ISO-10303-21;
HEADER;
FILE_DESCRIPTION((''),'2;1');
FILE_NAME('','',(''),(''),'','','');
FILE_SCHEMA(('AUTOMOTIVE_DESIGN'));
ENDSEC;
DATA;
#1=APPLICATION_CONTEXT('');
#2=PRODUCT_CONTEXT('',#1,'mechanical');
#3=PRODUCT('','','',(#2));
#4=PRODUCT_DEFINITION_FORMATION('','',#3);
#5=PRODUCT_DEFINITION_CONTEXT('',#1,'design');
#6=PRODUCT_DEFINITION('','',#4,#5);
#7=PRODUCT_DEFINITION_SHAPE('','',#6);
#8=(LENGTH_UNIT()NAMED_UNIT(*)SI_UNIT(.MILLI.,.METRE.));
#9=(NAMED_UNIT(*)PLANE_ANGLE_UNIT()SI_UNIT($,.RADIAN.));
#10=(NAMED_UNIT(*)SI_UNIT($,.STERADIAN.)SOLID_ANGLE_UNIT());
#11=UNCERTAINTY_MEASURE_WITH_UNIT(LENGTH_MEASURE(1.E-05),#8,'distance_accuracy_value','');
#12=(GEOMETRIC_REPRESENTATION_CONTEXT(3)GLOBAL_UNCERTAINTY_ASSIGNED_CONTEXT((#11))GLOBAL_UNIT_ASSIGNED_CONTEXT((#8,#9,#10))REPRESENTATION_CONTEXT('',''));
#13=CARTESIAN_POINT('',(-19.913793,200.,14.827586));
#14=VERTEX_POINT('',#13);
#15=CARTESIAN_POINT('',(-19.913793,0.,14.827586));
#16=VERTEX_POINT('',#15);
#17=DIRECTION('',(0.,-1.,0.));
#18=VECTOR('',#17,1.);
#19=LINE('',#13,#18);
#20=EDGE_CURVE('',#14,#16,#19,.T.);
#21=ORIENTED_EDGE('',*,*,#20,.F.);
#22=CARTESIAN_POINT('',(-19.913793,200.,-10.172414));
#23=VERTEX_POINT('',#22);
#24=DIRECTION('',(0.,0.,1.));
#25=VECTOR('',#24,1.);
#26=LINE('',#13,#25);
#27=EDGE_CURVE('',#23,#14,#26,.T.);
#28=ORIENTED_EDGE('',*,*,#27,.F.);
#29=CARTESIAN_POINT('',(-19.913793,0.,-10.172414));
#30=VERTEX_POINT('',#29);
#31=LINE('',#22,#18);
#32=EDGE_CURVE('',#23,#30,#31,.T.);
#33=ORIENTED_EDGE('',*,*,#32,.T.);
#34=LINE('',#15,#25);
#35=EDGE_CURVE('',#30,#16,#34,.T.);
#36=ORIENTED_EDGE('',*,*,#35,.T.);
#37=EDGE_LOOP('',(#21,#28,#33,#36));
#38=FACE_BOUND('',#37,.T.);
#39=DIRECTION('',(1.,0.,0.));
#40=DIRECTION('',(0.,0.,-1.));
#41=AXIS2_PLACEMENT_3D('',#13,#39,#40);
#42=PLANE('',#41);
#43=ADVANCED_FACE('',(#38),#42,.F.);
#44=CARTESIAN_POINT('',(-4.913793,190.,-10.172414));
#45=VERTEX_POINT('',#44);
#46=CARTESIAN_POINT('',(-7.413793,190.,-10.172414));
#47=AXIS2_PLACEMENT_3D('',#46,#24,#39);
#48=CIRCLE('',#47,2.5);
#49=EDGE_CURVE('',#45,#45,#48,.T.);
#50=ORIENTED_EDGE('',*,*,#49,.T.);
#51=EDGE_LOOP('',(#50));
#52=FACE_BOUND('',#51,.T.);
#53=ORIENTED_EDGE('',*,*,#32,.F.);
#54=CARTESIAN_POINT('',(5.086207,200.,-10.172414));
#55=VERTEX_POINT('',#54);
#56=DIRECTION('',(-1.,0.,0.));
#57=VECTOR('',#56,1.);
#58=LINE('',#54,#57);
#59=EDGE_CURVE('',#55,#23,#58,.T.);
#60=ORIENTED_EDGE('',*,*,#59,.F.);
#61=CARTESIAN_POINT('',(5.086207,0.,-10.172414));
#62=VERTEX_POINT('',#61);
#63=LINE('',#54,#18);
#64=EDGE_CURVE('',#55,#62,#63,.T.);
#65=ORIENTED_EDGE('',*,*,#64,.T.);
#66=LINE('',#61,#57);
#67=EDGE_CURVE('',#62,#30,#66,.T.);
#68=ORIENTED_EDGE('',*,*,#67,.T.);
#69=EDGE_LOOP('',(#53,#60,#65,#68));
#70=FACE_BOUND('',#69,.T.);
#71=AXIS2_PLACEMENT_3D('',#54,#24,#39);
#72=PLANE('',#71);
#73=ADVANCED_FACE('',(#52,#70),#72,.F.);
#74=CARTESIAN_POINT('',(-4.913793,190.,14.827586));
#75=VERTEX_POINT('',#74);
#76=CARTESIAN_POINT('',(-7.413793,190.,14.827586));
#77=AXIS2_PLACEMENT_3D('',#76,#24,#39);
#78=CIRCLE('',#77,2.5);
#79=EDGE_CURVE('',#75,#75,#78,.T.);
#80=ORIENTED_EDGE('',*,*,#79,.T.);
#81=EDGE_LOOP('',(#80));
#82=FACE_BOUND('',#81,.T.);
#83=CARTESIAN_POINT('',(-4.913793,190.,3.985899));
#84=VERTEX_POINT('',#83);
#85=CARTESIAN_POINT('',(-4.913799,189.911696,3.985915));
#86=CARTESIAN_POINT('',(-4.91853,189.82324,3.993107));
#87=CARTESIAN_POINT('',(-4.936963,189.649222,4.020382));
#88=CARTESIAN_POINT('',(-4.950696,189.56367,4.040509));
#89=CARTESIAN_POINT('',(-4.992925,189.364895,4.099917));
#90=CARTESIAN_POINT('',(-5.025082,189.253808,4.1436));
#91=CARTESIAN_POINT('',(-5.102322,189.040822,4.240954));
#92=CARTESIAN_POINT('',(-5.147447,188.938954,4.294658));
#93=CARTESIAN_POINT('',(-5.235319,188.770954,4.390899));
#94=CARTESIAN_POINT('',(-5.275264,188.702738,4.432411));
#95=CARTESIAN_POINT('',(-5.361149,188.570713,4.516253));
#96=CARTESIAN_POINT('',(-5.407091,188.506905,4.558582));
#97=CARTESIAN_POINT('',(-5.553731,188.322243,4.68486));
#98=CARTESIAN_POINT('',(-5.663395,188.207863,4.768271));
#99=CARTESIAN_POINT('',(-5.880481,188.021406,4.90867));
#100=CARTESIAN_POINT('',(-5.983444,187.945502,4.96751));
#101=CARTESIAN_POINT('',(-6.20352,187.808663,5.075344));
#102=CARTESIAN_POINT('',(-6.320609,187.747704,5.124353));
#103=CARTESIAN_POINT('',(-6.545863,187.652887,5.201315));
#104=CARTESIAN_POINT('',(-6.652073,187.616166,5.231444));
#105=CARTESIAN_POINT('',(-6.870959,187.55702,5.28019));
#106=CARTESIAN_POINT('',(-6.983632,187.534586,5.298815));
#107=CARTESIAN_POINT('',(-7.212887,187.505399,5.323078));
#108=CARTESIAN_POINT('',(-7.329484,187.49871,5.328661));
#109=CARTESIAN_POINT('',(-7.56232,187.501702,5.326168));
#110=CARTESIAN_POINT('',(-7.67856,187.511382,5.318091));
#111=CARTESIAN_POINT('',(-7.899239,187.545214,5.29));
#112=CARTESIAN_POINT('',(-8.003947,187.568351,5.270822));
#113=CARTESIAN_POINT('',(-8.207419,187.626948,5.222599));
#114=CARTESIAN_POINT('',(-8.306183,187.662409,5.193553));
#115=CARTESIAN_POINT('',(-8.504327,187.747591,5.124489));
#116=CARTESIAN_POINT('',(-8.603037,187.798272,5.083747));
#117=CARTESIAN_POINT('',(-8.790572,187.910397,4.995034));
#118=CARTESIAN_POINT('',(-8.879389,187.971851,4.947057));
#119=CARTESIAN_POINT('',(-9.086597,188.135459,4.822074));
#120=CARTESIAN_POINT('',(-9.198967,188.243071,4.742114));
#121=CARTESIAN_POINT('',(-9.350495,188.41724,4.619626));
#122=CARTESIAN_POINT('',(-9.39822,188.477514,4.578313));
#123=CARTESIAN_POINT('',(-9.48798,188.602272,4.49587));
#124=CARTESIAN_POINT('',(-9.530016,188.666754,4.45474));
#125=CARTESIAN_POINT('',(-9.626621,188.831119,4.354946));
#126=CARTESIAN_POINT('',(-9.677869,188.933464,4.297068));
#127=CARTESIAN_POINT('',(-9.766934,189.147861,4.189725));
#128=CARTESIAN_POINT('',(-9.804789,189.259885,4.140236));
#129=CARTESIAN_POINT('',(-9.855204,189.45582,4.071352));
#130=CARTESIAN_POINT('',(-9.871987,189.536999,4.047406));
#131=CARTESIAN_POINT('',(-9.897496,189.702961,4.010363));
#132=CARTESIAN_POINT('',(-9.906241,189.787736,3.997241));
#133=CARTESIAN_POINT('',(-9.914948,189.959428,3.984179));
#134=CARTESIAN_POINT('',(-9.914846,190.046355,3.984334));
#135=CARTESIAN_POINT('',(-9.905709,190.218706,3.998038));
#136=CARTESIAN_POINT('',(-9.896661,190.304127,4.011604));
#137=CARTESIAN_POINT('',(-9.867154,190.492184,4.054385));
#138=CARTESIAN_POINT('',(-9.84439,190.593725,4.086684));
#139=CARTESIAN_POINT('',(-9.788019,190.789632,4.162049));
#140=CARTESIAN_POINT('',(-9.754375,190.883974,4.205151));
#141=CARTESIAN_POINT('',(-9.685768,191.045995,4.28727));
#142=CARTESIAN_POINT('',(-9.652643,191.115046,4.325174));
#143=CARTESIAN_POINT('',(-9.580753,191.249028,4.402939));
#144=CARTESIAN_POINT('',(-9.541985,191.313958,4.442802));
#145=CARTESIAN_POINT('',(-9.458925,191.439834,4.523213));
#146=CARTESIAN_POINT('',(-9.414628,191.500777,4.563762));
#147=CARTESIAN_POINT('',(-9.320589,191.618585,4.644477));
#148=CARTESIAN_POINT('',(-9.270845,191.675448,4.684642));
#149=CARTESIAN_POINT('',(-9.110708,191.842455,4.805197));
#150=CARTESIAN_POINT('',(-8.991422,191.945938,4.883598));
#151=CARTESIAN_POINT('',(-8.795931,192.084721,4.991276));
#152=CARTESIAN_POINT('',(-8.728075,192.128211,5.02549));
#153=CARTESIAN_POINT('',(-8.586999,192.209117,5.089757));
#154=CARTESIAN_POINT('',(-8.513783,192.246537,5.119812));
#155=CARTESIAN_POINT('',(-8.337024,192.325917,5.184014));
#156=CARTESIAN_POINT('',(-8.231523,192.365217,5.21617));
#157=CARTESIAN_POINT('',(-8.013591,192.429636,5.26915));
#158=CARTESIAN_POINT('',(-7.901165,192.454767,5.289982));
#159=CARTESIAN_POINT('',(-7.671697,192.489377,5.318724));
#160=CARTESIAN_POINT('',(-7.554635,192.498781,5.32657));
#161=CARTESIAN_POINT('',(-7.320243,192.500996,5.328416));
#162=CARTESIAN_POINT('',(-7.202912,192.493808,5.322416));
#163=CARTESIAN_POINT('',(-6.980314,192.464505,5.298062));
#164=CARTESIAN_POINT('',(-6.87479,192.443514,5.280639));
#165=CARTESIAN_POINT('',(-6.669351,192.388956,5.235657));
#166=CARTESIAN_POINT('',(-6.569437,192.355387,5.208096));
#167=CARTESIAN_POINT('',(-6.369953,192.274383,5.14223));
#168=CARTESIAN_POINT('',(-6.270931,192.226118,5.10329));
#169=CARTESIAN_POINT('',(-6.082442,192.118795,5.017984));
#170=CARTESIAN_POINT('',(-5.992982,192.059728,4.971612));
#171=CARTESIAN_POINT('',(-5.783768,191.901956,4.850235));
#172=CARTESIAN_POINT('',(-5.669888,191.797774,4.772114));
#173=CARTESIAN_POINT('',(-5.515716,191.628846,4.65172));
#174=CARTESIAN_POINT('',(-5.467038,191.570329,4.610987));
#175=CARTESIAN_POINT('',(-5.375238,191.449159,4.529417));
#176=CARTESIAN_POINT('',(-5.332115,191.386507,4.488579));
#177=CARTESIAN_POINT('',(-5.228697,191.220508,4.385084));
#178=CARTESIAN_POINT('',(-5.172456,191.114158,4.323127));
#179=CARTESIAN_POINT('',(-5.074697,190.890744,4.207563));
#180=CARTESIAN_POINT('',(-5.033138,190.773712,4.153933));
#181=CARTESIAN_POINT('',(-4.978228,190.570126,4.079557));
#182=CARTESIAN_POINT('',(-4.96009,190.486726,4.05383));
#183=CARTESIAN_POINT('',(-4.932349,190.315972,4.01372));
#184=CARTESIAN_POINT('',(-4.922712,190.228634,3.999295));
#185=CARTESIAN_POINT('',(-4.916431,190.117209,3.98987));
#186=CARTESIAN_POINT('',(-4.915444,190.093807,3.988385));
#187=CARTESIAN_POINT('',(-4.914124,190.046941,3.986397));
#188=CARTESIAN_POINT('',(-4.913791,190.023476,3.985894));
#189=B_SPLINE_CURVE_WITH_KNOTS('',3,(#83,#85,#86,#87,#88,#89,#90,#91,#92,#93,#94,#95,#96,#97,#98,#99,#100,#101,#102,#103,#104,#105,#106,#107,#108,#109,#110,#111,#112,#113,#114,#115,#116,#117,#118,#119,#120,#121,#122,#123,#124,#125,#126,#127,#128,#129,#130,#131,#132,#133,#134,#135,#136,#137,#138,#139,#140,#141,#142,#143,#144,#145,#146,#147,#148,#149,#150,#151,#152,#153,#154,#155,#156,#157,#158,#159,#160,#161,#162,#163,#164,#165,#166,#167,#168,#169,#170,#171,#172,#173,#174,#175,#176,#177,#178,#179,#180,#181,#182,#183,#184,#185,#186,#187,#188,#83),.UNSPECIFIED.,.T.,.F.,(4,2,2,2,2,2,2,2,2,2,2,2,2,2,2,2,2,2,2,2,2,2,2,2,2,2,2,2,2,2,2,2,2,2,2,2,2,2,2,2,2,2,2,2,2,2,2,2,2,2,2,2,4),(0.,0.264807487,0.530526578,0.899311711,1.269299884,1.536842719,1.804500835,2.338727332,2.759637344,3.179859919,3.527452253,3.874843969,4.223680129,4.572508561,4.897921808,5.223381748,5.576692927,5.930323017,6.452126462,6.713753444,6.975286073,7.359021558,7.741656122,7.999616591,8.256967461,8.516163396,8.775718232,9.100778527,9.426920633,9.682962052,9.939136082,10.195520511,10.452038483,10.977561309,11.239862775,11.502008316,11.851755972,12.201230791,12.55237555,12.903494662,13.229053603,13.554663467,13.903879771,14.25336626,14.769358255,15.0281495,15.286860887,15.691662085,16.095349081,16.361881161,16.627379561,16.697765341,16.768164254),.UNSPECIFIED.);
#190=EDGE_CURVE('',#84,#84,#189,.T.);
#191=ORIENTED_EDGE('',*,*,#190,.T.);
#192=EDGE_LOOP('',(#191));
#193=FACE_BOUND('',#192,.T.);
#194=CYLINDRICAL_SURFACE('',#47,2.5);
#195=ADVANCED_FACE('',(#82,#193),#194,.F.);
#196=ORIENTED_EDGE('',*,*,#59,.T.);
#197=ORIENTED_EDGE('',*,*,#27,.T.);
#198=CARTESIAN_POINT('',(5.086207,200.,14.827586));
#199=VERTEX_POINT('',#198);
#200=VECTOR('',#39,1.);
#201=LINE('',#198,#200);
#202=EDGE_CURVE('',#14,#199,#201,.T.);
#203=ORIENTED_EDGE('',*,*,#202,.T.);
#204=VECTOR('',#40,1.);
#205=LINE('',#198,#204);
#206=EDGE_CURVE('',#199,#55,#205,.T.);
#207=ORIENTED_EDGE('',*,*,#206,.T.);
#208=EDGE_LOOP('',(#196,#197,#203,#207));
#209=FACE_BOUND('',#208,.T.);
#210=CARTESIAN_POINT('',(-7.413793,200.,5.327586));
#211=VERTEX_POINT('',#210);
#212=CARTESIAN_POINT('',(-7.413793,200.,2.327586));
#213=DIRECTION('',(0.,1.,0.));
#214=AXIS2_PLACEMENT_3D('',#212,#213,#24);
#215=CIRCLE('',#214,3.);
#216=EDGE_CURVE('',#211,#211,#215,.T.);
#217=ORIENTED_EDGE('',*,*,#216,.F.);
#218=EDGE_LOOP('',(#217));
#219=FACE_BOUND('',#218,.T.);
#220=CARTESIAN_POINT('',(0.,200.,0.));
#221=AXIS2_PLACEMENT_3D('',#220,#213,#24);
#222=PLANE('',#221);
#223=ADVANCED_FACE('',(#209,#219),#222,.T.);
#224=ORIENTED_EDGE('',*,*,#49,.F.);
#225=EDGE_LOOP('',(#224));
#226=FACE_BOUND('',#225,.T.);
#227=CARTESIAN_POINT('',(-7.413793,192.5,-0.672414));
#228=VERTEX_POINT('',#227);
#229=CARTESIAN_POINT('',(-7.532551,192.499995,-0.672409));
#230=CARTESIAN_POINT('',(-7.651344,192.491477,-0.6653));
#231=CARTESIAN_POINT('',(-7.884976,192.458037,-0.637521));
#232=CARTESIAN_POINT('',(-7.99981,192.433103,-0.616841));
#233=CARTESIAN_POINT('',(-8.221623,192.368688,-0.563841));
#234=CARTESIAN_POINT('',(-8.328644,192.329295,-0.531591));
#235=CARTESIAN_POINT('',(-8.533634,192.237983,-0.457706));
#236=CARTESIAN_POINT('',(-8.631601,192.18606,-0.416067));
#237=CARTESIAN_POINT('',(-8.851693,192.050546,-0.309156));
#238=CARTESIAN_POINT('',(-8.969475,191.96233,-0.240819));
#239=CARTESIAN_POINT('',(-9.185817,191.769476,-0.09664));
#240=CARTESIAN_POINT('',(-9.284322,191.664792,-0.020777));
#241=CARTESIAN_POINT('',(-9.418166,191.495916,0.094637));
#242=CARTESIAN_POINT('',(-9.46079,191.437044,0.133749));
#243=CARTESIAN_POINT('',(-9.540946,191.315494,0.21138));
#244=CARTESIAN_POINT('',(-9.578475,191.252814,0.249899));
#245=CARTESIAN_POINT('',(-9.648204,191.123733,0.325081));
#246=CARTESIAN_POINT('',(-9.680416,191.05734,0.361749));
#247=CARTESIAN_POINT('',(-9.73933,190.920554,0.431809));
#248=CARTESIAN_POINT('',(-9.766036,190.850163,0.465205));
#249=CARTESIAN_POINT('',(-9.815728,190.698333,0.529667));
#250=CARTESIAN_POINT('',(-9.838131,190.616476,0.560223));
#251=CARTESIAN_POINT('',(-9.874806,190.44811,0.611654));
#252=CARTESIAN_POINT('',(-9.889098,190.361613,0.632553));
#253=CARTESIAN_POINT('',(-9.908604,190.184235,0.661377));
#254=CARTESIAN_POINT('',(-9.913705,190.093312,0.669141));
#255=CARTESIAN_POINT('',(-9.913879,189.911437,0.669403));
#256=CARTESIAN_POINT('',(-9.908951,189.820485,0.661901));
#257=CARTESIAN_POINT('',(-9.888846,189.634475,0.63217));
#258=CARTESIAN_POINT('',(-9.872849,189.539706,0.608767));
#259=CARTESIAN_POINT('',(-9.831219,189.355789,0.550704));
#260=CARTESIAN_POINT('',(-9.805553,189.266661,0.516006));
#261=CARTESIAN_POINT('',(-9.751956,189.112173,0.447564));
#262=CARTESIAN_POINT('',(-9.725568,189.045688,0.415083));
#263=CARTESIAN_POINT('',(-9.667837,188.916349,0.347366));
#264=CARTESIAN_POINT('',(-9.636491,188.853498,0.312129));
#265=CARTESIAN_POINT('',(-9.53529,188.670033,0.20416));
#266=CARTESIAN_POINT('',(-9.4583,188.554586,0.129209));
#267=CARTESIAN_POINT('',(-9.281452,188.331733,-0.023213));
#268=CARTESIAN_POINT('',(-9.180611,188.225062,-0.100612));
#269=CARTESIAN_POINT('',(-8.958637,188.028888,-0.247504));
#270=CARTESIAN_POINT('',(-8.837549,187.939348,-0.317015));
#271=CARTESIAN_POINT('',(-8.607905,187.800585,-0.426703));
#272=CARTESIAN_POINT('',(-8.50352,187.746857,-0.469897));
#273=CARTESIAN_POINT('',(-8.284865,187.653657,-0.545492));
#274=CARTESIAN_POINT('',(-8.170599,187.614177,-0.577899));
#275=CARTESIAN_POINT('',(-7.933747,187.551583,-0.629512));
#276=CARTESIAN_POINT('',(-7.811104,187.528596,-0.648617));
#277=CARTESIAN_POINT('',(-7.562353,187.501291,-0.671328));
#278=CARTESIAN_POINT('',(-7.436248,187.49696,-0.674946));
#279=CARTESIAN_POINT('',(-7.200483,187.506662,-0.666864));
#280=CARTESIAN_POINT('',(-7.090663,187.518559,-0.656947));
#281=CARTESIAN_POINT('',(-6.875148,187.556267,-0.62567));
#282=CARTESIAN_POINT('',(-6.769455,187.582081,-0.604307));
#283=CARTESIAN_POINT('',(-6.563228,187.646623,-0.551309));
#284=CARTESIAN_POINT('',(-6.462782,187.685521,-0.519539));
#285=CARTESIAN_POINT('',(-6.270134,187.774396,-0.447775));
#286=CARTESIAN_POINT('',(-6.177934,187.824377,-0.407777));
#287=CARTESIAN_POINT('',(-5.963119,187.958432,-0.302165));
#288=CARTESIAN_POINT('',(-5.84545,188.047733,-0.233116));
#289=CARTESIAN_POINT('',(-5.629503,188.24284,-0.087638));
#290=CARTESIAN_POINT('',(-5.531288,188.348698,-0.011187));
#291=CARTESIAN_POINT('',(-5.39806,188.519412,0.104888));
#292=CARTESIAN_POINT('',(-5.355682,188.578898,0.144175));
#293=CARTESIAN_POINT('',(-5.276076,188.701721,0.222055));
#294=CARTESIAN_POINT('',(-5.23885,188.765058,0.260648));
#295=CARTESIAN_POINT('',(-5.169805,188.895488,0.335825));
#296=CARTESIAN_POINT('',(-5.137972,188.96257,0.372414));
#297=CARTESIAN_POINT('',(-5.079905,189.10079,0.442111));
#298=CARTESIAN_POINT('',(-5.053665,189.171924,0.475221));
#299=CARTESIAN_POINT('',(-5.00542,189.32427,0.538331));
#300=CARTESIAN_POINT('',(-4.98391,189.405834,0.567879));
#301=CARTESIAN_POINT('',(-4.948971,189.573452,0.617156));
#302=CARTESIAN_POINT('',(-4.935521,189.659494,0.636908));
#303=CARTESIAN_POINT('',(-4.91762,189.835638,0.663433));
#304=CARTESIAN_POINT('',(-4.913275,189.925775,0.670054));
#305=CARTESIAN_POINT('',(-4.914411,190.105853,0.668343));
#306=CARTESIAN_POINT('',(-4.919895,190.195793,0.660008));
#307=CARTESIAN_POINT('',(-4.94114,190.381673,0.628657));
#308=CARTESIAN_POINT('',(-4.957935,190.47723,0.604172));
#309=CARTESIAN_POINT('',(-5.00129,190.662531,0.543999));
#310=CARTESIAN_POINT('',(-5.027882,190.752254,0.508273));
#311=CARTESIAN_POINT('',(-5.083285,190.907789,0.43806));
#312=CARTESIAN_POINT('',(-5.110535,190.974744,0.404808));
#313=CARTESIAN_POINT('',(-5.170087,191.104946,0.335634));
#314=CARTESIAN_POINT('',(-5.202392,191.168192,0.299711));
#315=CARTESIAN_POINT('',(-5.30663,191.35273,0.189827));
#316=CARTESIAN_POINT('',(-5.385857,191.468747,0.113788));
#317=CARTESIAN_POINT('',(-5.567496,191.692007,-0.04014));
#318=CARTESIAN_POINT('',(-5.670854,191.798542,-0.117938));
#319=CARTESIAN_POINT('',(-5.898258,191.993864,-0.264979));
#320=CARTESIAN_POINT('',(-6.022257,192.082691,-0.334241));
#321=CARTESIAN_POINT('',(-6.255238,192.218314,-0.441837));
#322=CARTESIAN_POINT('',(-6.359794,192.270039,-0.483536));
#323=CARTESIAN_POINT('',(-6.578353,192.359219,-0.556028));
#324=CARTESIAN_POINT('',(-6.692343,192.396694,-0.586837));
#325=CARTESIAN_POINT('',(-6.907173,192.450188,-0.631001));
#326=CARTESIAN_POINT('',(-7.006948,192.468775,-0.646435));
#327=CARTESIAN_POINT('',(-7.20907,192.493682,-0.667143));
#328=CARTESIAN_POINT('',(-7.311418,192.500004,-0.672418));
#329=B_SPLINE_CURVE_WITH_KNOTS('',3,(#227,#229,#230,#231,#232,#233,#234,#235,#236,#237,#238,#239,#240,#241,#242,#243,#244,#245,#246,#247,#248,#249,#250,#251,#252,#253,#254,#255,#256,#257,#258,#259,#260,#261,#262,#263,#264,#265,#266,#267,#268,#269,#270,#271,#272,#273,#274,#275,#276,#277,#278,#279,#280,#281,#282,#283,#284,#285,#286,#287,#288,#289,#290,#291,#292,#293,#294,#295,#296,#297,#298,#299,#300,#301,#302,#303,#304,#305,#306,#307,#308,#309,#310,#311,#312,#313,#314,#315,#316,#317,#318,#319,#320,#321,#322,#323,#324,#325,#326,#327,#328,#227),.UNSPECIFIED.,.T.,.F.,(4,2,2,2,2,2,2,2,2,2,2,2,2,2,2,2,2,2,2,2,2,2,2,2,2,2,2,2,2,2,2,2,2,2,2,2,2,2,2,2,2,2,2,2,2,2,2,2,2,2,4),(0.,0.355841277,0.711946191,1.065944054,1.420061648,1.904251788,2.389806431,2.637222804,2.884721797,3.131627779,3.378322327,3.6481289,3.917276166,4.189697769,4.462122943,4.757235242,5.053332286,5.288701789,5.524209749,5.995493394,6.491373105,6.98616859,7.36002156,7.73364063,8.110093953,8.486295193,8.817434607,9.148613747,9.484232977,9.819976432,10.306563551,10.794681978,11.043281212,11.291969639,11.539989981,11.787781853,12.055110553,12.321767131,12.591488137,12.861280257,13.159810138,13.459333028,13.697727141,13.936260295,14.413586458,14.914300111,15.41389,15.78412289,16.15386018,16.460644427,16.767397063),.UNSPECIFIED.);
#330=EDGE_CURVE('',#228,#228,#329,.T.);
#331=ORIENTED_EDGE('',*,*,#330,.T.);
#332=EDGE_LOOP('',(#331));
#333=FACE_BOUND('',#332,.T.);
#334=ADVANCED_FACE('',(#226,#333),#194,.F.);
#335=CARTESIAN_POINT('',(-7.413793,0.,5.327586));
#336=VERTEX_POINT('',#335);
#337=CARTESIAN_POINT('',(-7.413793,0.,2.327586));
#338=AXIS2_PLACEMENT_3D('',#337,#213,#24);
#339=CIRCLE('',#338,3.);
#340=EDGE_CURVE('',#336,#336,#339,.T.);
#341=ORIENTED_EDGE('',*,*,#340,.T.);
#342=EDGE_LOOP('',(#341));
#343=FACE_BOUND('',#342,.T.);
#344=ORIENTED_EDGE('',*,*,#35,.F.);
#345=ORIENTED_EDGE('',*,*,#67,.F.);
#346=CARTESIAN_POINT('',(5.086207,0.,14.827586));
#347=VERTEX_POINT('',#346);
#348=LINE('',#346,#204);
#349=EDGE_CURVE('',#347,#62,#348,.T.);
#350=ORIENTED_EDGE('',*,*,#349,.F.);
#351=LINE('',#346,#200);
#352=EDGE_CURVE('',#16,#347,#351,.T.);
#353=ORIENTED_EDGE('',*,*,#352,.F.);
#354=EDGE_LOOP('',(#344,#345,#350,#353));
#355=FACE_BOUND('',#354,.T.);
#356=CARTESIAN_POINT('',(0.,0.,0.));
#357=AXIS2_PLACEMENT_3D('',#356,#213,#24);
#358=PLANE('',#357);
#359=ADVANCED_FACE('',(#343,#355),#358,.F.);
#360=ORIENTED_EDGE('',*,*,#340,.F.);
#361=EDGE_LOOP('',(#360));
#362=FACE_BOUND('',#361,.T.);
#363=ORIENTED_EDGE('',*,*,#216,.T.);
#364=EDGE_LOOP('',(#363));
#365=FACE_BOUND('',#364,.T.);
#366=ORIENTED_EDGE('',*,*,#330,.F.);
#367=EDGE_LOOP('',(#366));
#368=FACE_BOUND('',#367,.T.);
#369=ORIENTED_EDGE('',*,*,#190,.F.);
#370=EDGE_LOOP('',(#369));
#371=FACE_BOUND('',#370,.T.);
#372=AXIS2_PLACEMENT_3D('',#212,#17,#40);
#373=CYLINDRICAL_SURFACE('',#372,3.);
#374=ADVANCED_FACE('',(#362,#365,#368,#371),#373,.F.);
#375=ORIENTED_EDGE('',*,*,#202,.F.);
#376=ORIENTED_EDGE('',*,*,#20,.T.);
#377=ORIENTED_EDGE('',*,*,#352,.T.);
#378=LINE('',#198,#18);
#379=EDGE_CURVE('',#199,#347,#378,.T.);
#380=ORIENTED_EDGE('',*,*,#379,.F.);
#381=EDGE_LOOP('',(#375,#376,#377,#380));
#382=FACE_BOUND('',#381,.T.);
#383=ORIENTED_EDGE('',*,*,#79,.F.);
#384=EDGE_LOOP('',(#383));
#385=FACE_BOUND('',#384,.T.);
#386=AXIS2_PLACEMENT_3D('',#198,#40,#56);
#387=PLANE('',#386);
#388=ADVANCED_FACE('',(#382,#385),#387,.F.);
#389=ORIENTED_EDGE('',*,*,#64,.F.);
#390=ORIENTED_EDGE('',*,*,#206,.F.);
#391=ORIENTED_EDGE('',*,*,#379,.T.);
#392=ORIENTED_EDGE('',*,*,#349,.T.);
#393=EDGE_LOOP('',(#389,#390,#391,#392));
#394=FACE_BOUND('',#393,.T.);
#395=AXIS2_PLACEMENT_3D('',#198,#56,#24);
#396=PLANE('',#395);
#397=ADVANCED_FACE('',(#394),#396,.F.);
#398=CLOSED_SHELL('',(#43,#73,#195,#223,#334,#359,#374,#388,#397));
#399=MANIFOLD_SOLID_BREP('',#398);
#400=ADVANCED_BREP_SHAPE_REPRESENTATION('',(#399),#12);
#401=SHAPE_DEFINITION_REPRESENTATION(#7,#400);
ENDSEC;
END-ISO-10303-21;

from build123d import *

# Parameters (mm, degrees)
SKETCH1_W           = 25
SKETCH1_H           = 25
SKETCH1_R           = 3
BOSS_EXTRUDE1_DEPTH = 200
SKETCH2_R           = 2.5
CUT_EXTRUDE1_DEPTH  = 26


with BuildPart() as part:
    # Sketch1 → Boss-Extrude1 (new body)
    with BuildSketch(Plane(origin=(0, 0, 0), x_dir=(1, 0, 0), z_dir=(0, 1, 0))):
        with Locations((-7.413793103, -2.327586207)):
            Rectangle(SKETCH1_W, SKETCH1_H)
        with Locations((-7.413793103, -2.327586207)):
            Circle(SKETCH1_R, mode=Mode.SUBTRACT)
    extrude(amount=BOSS_EXTRUDE1_DEPTH)

    # Sketch2 → Cut-Extrude1 (cut, through all)
    with BuildSketch(Plane.XY.offset(14.827586207)):
        with Locations((-7.413793103, 190)):
            Circle(SKETCH2_R)
    extrude(amount=-CUT_EXTRUDE1_DEPTH, mode=Mode.SUBTRACT)


solid = part.part
